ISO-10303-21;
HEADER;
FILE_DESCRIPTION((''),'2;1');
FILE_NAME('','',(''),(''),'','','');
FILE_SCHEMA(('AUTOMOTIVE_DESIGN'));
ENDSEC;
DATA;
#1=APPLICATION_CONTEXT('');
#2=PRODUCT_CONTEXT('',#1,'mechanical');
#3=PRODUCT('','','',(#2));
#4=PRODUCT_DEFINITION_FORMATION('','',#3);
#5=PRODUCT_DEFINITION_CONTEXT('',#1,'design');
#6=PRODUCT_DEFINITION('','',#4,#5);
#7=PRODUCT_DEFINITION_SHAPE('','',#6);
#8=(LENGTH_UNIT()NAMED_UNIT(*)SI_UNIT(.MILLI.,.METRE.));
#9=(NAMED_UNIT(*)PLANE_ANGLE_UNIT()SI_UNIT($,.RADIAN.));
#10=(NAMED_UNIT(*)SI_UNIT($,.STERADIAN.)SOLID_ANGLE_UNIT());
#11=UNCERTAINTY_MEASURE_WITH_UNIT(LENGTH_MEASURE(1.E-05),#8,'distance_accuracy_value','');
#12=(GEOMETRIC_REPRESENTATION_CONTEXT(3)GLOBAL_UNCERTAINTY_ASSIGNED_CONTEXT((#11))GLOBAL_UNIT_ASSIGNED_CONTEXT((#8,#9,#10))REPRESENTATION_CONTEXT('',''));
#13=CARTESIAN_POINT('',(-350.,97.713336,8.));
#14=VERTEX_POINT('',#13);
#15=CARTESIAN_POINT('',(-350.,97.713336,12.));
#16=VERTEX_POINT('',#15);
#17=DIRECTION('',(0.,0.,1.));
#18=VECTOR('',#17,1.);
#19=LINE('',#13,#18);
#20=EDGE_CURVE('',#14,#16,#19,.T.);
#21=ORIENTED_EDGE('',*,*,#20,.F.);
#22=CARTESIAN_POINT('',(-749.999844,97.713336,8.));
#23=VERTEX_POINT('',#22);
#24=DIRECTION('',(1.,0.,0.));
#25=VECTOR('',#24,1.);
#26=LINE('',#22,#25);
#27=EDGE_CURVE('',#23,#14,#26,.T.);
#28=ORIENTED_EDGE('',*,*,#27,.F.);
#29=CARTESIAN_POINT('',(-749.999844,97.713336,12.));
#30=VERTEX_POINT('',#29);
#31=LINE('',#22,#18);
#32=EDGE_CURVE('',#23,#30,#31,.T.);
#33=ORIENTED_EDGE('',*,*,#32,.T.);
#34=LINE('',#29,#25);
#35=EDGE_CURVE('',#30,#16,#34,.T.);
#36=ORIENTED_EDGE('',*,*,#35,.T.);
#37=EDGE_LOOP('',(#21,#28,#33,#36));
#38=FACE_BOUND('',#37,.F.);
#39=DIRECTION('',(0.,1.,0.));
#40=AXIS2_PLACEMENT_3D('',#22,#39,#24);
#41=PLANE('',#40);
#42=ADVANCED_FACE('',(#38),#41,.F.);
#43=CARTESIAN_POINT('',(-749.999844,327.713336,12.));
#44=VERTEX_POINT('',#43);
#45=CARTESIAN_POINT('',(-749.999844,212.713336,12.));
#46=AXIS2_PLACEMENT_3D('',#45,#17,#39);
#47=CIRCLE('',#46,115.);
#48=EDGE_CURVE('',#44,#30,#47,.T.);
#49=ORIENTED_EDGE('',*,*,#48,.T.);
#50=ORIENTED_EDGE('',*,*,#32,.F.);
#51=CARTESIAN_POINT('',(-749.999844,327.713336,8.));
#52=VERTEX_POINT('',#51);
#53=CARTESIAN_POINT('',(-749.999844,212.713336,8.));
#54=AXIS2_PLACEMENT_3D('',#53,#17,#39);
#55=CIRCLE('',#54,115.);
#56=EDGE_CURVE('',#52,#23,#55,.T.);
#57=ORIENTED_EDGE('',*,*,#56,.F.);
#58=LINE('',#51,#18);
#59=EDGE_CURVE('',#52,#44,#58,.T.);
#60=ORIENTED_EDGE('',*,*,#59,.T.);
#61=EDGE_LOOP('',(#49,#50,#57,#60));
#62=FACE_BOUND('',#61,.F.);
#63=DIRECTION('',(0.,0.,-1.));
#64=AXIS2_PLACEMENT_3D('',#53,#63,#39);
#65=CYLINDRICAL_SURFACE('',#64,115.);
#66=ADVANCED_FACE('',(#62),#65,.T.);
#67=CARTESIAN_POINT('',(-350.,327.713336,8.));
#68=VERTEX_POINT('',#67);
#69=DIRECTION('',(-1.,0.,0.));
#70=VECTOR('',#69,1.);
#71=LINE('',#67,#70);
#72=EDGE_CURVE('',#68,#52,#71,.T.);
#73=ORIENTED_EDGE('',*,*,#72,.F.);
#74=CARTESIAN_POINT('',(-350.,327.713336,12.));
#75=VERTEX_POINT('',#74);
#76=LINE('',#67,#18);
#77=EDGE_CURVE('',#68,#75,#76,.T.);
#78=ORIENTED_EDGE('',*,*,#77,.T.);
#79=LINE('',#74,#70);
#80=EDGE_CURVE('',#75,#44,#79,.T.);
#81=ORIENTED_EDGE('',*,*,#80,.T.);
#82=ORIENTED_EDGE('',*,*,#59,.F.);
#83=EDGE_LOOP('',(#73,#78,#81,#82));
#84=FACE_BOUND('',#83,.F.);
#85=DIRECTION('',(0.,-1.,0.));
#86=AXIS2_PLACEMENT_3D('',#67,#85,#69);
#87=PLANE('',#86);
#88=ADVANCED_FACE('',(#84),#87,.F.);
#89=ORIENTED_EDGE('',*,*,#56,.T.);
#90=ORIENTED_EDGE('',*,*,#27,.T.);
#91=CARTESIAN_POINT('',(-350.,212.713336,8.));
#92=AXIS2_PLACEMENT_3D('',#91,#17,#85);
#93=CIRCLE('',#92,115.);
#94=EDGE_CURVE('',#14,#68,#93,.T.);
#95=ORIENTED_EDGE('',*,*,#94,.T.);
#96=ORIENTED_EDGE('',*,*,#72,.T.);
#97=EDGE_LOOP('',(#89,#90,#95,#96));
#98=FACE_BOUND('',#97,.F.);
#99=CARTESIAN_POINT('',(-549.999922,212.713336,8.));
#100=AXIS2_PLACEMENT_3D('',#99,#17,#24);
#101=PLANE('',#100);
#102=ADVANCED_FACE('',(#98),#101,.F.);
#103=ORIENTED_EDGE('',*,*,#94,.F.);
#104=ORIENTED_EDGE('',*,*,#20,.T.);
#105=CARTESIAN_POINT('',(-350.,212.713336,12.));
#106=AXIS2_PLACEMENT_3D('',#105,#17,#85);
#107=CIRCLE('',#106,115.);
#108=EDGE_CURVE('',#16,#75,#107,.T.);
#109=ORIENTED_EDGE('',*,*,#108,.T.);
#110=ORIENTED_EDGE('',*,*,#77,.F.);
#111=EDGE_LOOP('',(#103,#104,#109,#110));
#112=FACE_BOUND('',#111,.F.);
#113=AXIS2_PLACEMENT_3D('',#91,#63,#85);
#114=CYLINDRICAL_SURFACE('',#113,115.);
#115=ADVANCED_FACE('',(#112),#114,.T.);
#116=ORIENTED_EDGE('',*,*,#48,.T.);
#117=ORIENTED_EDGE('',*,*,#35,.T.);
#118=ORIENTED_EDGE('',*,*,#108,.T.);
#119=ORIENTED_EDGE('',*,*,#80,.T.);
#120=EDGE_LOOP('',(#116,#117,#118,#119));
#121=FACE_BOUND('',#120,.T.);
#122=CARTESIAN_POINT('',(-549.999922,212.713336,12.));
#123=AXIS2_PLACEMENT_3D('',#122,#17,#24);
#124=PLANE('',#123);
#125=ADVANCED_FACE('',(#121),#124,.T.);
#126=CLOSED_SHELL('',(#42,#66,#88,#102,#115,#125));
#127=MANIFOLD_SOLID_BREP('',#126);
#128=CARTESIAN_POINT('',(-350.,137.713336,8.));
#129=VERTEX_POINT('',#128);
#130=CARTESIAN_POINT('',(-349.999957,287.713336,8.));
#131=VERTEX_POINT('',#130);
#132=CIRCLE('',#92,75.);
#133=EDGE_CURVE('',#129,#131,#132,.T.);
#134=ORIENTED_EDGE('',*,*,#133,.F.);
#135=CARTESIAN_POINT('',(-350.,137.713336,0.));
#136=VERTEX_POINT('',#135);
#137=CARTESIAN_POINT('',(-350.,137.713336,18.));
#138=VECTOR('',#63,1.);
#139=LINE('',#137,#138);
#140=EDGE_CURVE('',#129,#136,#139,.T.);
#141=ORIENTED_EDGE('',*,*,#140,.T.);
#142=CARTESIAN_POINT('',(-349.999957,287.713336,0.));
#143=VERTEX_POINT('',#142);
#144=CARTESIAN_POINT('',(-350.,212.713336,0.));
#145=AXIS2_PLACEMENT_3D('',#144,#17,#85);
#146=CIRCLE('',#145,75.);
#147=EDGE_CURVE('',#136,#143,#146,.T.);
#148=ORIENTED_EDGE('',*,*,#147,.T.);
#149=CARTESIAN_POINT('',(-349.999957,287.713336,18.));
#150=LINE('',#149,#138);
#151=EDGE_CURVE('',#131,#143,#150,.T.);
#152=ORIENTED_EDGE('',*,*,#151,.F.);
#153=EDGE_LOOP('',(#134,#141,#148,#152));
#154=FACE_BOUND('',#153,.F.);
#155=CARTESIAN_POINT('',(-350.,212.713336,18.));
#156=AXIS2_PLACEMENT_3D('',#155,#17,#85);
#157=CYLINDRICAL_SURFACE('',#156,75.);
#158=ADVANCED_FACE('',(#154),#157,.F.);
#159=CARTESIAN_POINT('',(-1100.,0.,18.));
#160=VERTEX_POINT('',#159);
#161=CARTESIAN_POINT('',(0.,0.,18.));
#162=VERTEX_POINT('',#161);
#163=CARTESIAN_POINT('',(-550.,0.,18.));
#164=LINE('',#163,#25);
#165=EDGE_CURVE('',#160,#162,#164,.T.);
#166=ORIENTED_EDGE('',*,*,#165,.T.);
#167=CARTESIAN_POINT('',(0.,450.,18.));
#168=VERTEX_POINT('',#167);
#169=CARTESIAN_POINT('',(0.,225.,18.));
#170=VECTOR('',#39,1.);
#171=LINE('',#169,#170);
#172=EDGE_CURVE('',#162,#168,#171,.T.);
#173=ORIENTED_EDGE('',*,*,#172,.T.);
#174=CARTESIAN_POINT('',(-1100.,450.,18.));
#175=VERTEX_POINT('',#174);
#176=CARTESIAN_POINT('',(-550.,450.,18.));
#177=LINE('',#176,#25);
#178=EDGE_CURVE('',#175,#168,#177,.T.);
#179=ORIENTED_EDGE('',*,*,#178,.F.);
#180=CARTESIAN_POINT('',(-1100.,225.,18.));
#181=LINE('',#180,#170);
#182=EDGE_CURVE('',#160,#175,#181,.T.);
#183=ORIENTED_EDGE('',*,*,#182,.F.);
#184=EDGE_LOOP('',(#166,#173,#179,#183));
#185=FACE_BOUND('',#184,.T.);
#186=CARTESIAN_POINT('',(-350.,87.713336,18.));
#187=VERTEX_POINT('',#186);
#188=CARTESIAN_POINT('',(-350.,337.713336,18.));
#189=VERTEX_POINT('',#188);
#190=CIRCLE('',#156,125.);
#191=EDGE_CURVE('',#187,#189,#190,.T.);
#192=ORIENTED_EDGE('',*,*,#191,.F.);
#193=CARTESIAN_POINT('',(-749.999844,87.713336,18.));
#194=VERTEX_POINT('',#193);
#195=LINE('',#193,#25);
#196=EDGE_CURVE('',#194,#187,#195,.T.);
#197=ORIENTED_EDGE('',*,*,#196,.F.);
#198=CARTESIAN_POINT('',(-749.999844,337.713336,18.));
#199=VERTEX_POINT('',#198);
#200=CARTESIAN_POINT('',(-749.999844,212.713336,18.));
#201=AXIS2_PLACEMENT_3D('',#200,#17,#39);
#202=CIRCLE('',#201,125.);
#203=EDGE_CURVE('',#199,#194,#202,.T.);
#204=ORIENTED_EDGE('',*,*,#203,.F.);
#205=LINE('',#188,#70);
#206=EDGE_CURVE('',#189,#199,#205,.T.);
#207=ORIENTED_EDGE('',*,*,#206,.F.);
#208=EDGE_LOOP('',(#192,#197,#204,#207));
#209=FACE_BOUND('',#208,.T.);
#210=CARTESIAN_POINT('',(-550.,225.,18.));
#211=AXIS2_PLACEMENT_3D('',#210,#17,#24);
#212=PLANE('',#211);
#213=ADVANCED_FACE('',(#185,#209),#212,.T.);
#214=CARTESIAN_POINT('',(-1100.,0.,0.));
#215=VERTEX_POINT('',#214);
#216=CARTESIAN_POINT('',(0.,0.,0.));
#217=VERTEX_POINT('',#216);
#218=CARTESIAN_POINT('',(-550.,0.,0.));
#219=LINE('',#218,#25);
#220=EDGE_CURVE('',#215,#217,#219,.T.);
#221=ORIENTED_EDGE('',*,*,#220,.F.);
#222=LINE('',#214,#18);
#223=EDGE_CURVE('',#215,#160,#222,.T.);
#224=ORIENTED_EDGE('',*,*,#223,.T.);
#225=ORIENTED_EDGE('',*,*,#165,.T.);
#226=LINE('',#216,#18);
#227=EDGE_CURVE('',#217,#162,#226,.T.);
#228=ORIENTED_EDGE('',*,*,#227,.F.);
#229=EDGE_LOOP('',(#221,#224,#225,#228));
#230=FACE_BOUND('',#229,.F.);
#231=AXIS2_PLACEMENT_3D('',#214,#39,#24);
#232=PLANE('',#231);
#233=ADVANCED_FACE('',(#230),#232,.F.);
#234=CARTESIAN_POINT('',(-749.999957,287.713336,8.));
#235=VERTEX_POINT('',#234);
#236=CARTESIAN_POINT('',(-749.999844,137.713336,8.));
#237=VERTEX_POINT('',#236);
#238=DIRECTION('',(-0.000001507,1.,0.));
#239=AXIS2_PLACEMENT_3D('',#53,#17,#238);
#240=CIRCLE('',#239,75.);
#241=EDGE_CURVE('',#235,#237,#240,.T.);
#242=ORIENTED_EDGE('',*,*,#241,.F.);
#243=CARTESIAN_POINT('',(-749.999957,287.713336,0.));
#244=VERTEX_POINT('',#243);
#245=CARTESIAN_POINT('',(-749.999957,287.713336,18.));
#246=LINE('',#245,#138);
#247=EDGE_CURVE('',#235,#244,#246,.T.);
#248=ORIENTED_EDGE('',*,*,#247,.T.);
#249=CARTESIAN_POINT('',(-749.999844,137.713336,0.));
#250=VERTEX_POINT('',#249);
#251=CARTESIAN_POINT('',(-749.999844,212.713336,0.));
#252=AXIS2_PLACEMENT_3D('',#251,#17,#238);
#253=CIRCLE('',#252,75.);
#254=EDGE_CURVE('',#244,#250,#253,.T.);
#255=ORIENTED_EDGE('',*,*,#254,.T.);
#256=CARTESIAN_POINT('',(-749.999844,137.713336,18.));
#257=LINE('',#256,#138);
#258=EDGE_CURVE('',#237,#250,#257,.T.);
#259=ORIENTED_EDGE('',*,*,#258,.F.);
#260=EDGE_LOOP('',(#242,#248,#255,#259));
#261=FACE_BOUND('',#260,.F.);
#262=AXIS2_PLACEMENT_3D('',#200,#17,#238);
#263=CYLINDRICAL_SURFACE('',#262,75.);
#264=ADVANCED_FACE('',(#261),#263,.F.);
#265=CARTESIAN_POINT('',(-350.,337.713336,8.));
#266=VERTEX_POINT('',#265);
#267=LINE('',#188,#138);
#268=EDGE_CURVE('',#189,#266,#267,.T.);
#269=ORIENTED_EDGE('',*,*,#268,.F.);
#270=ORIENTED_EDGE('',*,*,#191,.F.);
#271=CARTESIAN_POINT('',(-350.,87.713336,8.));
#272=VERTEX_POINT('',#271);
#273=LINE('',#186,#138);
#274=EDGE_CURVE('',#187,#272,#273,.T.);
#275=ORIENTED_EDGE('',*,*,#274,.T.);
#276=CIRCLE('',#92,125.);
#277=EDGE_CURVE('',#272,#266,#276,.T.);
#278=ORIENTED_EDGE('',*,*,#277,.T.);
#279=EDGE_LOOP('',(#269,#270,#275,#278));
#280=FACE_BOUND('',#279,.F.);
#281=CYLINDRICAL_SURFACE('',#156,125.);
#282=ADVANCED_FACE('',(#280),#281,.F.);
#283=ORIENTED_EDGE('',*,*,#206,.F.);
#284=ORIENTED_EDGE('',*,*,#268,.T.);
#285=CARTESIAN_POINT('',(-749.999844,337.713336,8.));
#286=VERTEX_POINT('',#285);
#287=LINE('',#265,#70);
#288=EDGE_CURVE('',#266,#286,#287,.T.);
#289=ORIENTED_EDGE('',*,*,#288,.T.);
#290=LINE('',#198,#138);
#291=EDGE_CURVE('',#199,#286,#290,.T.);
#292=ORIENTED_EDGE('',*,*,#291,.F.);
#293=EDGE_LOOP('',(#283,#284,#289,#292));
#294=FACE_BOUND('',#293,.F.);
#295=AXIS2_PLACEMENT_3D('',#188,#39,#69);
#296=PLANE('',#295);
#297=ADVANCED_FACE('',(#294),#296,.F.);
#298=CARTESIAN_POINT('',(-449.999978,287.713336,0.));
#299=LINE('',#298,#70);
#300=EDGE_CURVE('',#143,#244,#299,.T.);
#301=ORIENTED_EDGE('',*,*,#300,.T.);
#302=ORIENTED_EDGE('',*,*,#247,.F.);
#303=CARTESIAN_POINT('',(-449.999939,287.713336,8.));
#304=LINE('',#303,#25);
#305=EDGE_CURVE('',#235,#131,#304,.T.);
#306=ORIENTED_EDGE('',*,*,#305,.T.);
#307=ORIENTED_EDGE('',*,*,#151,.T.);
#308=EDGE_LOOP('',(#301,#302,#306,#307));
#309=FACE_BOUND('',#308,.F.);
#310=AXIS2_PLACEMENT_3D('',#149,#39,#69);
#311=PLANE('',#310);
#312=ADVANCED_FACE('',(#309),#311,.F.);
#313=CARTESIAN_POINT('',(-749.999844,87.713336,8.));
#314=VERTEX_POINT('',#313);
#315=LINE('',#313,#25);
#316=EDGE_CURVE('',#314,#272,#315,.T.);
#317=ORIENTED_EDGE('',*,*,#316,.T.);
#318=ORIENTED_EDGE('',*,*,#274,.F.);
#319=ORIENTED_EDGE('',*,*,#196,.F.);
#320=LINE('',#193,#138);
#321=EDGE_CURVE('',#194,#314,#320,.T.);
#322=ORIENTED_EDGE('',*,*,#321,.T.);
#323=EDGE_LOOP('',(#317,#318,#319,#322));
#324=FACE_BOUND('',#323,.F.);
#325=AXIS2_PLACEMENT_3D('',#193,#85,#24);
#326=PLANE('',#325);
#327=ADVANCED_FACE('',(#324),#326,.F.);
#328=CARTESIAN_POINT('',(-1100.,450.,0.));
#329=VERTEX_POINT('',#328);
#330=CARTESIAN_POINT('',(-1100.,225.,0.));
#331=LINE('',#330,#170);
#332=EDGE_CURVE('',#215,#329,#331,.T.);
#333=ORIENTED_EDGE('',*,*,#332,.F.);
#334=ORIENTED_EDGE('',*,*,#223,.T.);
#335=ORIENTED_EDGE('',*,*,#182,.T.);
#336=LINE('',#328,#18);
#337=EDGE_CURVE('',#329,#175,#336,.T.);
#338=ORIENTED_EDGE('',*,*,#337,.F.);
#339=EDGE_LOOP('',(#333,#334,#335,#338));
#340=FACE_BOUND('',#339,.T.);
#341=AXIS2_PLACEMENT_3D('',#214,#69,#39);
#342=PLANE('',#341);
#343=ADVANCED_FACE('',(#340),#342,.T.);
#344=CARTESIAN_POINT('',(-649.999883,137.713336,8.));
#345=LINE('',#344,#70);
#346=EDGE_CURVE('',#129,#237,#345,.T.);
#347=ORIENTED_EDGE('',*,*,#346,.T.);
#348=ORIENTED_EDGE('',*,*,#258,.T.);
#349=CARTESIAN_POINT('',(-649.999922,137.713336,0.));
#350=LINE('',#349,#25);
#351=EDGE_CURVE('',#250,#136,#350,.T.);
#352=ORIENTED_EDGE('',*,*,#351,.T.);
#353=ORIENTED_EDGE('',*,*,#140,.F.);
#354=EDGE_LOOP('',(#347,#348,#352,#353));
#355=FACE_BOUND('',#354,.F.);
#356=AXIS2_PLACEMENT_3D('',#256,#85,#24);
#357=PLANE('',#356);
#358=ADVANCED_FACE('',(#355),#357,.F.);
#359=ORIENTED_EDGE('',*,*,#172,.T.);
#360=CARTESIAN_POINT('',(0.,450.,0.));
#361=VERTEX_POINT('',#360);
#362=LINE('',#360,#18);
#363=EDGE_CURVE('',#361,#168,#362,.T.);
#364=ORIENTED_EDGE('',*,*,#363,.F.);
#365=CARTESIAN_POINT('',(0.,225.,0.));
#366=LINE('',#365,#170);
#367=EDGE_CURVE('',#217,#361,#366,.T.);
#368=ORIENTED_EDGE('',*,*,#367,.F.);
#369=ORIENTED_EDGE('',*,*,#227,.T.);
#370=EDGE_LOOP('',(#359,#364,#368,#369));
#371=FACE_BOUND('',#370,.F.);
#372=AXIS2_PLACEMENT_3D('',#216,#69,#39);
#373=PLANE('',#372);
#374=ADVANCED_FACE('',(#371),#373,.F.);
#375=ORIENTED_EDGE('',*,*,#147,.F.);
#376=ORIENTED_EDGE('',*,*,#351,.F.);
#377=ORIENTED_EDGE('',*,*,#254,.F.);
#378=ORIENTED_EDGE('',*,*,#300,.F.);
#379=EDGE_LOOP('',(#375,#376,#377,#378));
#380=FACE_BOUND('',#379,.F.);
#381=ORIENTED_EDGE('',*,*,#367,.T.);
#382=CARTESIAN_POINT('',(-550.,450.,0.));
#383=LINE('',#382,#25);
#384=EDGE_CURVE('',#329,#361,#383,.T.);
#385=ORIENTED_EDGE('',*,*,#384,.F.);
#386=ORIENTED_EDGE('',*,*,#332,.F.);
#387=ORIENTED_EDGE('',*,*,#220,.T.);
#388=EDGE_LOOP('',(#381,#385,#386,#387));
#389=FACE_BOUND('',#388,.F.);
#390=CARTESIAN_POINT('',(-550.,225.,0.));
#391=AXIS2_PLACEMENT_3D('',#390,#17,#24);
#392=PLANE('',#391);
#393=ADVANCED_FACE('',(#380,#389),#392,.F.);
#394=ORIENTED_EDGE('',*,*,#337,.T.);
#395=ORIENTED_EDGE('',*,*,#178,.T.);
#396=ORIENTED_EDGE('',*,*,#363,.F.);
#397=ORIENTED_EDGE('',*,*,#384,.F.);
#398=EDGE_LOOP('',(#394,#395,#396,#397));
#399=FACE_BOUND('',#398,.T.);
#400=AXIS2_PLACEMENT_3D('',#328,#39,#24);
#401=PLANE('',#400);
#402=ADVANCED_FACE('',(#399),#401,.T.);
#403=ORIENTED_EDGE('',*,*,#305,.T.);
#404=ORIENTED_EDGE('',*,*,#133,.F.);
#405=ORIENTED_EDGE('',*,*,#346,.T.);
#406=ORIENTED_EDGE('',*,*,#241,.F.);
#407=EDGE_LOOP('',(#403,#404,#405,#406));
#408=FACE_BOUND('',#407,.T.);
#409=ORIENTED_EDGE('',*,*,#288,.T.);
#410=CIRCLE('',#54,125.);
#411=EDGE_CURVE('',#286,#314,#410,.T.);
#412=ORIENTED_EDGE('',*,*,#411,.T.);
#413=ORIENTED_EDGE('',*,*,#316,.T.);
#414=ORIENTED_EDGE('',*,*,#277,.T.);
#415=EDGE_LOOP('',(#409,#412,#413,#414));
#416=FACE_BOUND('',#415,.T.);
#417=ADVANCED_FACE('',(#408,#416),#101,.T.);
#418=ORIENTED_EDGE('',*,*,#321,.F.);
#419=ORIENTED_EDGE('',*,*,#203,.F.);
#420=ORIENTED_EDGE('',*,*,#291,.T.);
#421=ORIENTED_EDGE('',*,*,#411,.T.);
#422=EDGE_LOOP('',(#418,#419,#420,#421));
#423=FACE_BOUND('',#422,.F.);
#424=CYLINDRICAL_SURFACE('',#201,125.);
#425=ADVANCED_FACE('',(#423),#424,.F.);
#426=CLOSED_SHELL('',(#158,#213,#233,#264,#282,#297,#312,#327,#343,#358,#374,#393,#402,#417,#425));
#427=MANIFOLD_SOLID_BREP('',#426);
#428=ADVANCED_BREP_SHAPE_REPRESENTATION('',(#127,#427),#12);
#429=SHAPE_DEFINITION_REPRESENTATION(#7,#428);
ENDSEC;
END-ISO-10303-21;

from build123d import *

# Parameters (mm, degrees)
F0_W     = 1100
F0_H     = 450
F1_DEPTH = 18
F3_DEPTH = 18.001
F5_DEPTH = 10
F7_DEPTH = 4


with BuildPart() as f1:
    # F0 (on Top) → F1 (new body)
    with BuildSketch(Plane.XY):
        with Locations((-550, 225)):
            Rectangle(F0_W, F0_H)
    extrude(amount=F1_DEPTH)

    # F2 (on face) → F3 (cut, through all)
    with BuildSketch(Plane.XY.offset(18)):
        with BuildLine():
            Line((-349.999957, 287.713336), (-749.999957, 287.713336))
            ThreePointArc((-749.999957, 287.713336), (-824.999844, 212.713279), (-749.999844, 137.713336))
            Line((-749.999844, 137.713336), (-350, 137.713336))
            ThreePointArc((-350, 137.713336), (-275, 212.713315), (-349.999957, 287.713336))
        make_face()
    extrude(amount=-F3_DEPTH, mode=Mode.SUBTRACT)

    # F4 (on face) → F5 (cut)
    with BuildSketch(Plane.XY.offset(18)):
        with BuildLine():
            ThreePointArc((-350, 87.713336), (-225, 212.713336), (-350, 337.713336))
            Line((-350, 337.713336), (-749.999844, 337.713336))
            ThreePointArc((-749.999844, 337.713336), (-874.999844, 212.713336), (-749.999844, 87.713336))
            Line((-749.999844, 87.713336), (-350, 87.713336))
        make_face()
    extrude(amount=-F5_DEPTH, mode=Mode.SUBTRACT)


with BuildPart() as f7:
    # F6 (on face) → F7 (new body)
    with BuildSketch(Plane.XY.offset(8)):
        with BuildLine():
            Line((-350, 327.713336), (-749.999844, 327.713336))
            ThreePointArc((-749.999844, 327.713336), (-864.999844, 212.713336), (-749.999844, 97.713336))
            Line((-749.999844, 97.713336), (-350, 97.713336))
            ThreePointArc((-350, 97.713336), (-235, 212.713336), (-350, 327.713336))
        make_face()
    extrude(amount=F7_DEPTH)


solid = Compound([f1.part, f7.part])
